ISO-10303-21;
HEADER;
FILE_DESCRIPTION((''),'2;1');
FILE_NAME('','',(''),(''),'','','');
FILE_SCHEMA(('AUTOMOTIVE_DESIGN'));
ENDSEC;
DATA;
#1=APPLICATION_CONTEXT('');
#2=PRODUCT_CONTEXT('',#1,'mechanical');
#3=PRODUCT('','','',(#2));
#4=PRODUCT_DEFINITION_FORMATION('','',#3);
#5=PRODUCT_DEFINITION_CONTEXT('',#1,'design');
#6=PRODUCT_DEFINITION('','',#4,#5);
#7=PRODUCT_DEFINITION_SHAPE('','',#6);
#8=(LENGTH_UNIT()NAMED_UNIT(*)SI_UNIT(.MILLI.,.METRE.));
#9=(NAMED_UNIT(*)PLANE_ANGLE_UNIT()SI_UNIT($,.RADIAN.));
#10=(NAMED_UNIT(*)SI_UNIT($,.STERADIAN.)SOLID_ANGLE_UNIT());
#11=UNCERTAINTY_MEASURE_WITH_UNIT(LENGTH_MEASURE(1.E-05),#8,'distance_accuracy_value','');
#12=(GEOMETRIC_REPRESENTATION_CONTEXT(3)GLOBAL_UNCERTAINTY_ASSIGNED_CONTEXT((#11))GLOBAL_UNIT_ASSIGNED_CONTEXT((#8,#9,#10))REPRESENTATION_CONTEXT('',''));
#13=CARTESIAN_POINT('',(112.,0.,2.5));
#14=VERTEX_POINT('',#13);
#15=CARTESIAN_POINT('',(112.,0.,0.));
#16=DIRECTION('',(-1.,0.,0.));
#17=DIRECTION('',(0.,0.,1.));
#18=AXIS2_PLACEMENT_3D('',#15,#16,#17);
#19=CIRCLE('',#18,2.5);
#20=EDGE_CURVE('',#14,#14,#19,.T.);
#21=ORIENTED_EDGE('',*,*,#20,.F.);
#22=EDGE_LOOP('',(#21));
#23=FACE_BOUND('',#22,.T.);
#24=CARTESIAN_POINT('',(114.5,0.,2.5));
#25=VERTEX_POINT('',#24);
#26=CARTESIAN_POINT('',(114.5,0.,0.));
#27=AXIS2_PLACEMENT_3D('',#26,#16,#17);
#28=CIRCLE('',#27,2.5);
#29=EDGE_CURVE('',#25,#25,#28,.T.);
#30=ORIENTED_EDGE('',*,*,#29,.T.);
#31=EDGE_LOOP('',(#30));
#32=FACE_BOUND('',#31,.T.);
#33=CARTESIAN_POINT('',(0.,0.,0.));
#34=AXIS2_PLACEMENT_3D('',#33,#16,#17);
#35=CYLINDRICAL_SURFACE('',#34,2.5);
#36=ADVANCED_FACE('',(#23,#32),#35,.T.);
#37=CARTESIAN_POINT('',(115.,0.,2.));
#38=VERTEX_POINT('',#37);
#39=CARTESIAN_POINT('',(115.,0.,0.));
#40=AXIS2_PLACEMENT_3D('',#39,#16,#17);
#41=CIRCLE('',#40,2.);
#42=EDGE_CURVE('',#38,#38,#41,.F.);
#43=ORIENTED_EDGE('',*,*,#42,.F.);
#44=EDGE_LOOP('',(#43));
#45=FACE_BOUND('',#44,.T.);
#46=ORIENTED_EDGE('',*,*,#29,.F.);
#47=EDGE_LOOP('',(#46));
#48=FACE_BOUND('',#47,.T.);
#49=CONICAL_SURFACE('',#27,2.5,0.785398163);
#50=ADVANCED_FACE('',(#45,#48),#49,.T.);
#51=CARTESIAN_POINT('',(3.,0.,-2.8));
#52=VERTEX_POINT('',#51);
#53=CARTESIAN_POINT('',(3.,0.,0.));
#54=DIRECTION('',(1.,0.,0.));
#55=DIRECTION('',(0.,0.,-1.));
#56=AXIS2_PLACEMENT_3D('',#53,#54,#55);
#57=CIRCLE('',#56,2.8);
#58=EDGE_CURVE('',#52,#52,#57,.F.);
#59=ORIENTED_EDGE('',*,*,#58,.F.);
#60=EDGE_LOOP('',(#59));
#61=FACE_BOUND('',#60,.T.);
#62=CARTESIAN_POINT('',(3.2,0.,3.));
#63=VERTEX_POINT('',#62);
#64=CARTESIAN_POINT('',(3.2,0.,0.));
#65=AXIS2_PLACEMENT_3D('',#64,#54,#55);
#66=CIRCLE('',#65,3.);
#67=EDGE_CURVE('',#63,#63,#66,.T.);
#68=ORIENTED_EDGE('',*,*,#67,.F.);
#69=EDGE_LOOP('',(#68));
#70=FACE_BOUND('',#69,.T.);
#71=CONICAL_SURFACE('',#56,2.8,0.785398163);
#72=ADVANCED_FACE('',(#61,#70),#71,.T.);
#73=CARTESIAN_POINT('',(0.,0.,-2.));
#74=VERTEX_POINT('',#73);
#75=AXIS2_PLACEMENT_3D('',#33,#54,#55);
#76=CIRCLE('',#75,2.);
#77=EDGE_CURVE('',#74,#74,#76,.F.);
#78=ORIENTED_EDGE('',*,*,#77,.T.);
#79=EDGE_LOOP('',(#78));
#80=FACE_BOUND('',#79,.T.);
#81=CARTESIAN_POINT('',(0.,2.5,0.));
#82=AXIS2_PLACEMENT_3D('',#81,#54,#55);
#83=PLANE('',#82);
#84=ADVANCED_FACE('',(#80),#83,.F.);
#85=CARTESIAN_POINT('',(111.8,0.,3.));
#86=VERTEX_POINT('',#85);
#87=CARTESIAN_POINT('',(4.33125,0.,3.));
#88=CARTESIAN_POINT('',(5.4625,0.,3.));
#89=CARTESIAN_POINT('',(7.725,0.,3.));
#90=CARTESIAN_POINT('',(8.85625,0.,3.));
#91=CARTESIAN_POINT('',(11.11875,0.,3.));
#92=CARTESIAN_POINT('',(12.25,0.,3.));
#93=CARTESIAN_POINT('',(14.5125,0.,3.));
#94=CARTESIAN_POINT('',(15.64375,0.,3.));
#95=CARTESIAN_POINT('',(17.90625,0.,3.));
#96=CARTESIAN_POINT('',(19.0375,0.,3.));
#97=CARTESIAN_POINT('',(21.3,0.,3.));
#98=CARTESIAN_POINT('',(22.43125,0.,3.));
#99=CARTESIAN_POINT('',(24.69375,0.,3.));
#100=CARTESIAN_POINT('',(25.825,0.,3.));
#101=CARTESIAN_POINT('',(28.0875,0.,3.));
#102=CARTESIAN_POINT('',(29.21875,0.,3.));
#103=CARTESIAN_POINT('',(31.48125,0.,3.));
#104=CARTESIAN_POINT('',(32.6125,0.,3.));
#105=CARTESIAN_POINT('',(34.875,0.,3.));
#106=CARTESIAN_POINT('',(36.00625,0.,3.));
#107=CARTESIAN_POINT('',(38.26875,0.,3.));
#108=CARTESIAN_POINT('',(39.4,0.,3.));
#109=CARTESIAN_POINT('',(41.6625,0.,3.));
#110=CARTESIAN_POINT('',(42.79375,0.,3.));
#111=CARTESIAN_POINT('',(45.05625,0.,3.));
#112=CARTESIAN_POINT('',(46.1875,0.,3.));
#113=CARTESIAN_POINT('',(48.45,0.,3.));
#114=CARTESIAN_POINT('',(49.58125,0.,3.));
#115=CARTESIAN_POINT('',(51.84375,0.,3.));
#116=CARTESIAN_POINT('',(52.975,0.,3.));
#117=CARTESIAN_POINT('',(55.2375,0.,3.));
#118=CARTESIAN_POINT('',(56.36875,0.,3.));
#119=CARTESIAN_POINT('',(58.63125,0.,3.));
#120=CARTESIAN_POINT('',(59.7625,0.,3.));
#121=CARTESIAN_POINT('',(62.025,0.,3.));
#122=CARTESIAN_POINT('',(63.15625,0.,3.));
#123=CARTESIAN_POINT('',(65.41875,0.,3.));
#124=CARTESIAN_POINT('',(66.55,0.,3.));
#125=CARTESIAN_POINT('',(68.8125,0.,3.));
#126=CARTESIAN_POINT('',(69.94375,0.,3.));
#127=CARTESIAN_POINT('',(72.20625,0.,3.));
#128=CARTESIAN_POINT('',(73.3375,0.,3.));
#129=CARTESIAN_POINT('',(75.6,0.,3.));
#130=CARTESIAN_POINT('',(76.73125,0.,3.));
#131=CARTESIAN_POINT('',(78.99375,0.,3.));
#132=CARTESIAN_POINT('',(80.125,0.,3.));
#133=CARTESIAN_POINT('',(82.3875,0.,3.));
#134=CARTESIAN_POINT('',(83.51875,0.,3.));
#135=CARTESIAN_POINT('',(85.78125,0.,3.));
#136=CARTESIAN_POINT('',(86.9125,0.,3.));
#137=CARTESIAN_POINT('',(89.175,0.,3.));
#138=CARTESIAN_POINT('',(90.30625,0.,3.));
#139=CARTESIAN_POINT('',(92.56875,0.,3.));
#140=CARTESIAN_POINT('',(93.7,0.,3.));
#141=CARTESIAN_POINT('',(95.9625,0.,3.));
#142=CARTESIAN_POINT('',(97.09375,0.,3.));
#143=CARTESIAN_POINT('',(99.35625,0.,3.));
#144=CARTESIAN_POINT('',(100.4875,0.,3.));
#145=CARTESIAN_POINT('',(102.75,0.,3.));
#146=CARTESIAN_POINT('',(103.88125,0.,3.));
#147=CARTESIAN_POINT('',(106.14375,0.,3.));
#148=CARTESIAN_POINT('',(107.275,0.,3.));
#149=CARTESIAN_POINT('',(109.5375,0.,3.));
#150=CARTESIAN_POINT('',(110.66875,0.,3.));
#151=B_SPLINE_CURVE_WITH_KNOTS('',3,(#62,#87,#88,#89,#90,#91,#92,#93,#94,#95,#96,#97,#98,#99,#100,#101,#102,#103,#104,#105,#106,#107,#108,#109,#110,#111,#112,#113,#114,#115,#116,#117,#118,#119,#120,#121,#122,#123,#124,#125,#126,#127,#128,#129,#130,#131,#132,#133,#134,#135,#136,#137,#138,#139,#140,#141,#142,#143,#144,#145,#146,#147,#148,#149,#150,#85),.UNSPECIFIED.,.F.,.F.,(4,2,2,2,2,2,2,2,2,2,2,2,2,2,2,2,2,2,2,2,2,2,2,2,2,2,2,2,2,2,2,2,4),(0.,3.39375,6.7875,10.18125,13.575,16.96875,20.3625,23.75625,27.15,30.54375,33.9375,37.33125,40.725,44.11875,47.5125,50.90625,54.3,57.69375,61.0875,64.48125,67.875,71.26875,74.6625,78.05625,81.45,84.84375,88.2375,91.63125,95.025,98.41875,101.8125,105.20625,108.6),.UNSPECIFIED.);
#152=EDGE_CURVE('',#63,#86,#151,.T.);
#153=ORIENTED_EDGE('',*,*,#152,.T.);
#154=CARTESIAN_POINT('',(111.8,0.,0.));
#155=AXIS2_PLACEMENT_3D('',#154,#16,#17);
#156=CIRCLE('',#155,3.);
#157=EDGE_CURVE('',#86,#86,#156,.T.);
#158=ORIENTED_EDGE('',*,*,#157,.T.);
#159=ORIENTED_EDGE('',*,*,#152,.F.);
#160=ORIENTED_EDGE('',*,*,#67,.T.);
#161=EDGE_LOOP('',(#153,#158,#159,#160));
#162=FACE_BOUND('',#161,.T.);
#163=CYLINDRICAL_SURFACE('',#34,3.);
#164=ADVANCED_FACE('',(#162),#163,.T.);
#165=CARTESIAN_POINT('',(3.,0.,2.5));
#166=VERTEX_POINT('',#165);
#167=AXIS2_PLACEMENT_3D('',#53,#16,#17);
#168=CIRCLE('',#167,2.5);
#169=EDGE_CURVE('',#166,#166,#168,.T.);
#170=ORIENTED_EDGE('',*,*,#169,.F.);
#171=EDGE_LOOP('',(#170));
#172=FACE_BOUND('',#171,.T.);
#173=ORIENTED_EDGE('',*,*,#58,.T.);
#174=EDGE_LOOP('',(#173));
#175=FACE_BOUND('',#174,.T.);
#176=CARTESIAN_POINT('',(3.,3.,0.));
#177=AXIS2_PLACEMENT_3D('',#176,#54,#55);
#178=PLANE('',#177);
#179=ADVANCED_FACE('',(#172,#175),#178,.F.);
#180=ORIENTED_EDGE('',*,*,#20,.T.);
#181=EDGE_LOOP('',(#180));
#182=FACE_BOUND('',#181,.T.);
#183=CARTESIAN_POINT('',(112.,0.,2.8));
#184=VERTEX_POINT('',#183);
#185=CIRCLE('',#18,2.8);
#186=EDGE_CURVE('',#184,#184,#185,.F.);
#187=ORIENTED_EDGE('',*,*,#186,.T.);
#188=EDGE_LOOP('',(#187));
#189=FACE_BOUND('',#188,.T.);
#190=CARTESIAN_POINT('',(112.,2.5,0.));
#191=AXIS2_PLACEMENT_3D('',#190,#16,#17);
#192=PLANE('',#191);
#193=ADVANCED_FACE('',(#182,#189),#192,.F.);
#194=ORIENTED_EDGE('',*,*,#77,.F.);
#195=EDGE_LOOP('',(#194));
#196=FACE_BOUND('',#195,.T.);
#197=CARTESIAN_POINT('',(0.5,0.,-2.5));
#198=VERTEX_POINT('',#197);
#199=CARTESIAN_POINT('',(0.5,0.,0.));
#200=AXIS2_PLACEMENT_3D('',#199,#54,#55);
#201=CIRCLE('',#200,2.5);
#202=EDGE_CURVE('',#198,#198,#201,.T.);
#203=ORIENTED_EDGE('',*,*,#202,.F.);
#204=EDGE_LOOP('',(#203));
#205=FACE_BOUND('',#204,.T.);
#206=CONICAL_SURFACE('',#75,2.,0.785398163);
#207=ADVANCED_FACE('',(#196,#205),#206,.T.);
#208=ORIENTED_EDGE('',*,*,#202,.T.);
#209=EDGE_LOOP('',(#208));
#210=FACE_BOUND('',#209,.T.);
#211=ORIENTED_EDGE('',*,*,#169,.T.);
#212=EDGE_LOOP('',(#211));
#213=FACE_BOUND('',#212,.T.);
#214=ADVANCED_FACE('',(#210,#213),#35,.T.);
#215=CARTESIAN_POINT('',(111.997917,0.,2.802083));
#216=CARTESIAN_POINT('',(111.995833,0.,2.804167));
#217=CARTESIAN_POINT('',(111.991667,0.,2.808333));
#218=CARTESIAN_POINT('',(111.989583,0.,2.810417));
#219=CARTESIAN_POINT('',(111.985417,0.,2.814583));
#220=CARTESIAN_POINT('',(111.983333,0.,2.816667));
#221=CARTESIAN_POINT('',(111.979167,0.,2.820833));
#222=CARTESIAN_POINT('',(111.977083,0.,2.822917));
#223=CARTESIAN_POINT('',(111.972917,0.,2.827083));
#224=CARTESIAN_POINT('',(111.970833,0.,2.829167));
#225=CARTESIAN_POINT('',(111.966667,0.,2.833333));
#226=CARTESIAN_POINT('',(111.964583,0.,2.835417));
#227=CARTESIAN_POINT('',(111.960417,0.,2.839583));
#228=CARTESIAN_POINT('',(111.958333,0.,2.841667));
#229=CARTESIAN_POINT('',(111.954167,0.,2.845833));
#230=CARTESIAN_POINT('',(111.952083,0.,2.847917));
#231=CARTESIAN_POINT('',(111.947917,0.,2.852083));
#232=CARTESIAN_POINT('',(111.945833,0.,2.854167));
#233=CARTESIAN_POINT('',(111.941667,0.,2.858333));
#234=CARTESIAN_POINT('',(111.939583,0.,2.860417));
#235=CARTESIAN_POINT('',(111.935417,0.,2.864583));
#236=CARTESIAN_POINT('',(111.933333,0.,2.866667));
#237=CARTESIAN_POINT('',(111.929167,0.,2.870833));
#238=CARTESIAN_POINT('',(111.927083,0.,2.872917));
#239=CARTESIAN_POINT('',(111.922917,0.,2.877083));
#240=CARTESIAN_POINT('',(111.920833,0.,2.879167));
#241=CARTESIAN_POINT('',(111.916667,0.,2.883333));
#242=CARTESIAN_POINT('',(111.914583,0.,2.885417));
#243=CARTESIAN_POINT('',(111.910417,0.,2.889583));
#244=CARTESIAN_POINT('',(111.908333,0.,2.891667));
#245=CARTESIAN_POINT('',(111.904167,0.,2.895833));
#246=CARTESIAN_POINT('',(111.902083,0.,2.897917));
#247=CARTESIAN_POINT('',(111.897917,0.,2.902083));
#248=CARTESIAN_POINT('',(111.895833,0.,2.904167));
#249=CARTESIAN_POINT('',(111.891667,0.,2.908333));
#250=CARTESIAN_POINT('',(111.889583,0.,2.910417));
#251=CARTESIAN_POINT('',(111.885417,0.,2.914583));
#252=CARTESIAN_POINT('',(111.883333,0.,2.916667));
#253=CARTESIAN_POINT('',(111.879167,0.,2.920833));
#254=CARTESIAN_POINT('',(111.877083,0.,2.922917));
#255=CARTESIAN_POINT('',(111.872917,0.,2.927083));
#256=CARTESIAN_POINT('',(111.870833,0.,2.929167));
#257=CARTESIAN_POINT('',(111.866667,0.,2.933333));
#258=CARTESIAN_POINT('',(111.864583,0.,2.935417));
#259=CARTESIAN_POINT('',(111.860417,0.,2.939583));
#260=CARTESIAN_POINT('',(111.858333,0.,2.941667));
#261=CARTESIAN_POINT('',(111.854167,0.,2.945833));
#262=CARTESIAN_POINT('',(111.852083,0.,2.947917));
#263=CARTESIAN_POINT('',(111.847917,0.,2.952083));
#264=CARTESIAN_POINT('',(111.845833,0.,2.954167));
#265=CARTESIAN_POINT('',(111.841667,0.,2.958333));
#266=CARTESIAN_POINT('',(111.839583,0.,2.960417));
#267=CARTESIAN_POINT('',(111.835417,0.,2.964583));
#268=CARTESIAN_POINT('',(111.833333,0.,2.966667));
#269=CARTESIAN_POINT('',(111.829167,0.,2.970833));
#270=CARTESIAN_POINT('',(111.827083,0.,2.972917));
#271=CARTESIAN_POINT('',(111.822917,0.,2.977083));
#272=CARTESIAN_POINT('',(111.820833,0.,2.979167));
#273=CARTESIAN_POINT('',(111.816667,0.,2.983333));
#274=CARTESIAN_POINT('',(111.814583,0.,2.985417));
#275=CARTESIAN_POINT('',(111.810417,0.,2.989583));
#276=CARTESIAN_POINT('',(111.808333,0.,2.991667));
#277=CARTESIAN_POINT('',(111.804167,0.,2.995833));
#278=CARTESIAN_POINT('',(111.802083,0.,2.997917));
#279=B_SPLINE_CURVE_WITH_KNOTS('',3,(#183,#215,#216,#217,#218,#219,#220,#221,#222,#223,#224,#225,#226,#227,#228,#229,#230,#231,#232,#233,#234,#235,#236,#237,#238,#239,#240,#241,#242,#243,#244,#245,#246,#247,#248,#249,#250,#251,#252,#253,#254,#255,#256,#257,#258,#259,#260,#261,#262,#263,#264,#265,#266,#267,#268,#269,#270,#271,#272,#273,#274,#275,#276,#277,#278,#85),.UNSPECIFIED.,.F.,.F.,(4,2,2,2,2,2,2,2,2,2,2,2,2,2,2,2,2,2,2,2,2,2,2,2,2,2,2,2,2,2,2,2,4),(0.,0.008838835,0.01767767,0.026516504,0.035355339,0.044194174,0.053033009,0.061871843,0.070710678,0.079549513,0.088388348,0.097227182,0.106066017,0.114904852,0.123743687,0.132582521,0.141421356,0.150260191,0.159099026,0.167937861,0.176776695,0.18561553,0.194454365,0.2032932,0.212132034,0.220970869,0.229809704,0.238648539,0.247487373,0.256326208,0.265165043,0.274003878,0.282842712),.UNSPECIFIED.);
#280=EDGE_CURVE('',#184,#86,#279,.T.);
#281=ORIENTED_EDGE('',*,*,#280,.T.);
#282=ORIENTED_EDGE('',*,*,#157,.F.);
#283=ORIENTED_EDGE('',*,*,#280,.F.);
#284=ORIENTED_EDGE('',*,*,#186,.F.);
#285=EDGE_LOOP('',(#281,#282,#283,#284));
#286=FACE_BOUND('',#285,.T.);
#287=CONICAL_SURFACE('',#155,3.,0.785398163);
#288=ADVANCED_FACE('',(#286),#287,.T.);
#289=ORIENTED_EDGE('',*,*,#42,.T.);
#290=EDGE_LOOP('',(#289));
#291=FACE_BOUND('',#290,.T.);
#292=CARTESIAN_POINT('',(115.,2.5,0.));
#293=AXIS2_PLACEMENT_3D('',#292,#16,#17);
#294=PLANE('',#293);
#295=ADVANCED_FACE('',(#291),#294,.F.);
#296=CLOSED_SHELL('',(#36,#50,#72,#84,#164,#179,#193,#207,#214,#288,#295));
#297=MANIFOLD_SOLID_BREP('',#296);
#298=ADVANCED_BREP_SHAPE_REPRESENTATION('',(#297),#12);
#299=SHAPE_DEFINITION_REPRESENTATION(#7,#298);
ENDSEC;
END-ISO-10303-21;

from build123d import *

# Parameters (mm, degrees)
CHAMFER1_SIZE = 0.2
CHAMFER2_SIZE = 0.2
CHAMFER3_SIZE = 0.5
CHAMFER4_SIZE = 0.5


with BuildPart() as part:
    # Sketch1 → Revolve1 (revolve)
    with BuildSketch(Plane.XY):
        Polygon((0, 0), (115, 0), (115, 2.5), (112, 2.5), (112, 3), (3, 3), (3, 2.5), (0, 2.5), align=None)
    revolve(axis=Axis((0, 0, 0), (1, 0, 0)))

    # Chamfer1
    chamfer1_edges = [part.edges().sort_by_distance(p)[0] for p in [
        (112, -3, 0),
    ]]
    chamfer(chamfer1_edges, length=CHAMFER1_SIZE)

    # Chamfer2
    chamfer2_edges = [part.edges().sort_by_distance(p)[0] for p in [
        (3, -3, 0),
    ]]
    chamfer(chamfer2_edges, length=CHAMFER2_SIZE)

    # Chamfer3
    chamfer3_edges = [part.edges().sort_by_distance(p)[0] for p in [
        (0, -2.5, 0),
    ]]
    chamfer(chamfer3_edges, length=CHAMFER3_SIZE)

    # Chamfer4
    chamfer4_edges = [part.edges().sort_by_distance(p)[0] for p in [
        (115, -2.5, 0),
    ]]
    chamfer(chamfer4_edges, length=CHAMFER4_SIZE)


solid = part.part
